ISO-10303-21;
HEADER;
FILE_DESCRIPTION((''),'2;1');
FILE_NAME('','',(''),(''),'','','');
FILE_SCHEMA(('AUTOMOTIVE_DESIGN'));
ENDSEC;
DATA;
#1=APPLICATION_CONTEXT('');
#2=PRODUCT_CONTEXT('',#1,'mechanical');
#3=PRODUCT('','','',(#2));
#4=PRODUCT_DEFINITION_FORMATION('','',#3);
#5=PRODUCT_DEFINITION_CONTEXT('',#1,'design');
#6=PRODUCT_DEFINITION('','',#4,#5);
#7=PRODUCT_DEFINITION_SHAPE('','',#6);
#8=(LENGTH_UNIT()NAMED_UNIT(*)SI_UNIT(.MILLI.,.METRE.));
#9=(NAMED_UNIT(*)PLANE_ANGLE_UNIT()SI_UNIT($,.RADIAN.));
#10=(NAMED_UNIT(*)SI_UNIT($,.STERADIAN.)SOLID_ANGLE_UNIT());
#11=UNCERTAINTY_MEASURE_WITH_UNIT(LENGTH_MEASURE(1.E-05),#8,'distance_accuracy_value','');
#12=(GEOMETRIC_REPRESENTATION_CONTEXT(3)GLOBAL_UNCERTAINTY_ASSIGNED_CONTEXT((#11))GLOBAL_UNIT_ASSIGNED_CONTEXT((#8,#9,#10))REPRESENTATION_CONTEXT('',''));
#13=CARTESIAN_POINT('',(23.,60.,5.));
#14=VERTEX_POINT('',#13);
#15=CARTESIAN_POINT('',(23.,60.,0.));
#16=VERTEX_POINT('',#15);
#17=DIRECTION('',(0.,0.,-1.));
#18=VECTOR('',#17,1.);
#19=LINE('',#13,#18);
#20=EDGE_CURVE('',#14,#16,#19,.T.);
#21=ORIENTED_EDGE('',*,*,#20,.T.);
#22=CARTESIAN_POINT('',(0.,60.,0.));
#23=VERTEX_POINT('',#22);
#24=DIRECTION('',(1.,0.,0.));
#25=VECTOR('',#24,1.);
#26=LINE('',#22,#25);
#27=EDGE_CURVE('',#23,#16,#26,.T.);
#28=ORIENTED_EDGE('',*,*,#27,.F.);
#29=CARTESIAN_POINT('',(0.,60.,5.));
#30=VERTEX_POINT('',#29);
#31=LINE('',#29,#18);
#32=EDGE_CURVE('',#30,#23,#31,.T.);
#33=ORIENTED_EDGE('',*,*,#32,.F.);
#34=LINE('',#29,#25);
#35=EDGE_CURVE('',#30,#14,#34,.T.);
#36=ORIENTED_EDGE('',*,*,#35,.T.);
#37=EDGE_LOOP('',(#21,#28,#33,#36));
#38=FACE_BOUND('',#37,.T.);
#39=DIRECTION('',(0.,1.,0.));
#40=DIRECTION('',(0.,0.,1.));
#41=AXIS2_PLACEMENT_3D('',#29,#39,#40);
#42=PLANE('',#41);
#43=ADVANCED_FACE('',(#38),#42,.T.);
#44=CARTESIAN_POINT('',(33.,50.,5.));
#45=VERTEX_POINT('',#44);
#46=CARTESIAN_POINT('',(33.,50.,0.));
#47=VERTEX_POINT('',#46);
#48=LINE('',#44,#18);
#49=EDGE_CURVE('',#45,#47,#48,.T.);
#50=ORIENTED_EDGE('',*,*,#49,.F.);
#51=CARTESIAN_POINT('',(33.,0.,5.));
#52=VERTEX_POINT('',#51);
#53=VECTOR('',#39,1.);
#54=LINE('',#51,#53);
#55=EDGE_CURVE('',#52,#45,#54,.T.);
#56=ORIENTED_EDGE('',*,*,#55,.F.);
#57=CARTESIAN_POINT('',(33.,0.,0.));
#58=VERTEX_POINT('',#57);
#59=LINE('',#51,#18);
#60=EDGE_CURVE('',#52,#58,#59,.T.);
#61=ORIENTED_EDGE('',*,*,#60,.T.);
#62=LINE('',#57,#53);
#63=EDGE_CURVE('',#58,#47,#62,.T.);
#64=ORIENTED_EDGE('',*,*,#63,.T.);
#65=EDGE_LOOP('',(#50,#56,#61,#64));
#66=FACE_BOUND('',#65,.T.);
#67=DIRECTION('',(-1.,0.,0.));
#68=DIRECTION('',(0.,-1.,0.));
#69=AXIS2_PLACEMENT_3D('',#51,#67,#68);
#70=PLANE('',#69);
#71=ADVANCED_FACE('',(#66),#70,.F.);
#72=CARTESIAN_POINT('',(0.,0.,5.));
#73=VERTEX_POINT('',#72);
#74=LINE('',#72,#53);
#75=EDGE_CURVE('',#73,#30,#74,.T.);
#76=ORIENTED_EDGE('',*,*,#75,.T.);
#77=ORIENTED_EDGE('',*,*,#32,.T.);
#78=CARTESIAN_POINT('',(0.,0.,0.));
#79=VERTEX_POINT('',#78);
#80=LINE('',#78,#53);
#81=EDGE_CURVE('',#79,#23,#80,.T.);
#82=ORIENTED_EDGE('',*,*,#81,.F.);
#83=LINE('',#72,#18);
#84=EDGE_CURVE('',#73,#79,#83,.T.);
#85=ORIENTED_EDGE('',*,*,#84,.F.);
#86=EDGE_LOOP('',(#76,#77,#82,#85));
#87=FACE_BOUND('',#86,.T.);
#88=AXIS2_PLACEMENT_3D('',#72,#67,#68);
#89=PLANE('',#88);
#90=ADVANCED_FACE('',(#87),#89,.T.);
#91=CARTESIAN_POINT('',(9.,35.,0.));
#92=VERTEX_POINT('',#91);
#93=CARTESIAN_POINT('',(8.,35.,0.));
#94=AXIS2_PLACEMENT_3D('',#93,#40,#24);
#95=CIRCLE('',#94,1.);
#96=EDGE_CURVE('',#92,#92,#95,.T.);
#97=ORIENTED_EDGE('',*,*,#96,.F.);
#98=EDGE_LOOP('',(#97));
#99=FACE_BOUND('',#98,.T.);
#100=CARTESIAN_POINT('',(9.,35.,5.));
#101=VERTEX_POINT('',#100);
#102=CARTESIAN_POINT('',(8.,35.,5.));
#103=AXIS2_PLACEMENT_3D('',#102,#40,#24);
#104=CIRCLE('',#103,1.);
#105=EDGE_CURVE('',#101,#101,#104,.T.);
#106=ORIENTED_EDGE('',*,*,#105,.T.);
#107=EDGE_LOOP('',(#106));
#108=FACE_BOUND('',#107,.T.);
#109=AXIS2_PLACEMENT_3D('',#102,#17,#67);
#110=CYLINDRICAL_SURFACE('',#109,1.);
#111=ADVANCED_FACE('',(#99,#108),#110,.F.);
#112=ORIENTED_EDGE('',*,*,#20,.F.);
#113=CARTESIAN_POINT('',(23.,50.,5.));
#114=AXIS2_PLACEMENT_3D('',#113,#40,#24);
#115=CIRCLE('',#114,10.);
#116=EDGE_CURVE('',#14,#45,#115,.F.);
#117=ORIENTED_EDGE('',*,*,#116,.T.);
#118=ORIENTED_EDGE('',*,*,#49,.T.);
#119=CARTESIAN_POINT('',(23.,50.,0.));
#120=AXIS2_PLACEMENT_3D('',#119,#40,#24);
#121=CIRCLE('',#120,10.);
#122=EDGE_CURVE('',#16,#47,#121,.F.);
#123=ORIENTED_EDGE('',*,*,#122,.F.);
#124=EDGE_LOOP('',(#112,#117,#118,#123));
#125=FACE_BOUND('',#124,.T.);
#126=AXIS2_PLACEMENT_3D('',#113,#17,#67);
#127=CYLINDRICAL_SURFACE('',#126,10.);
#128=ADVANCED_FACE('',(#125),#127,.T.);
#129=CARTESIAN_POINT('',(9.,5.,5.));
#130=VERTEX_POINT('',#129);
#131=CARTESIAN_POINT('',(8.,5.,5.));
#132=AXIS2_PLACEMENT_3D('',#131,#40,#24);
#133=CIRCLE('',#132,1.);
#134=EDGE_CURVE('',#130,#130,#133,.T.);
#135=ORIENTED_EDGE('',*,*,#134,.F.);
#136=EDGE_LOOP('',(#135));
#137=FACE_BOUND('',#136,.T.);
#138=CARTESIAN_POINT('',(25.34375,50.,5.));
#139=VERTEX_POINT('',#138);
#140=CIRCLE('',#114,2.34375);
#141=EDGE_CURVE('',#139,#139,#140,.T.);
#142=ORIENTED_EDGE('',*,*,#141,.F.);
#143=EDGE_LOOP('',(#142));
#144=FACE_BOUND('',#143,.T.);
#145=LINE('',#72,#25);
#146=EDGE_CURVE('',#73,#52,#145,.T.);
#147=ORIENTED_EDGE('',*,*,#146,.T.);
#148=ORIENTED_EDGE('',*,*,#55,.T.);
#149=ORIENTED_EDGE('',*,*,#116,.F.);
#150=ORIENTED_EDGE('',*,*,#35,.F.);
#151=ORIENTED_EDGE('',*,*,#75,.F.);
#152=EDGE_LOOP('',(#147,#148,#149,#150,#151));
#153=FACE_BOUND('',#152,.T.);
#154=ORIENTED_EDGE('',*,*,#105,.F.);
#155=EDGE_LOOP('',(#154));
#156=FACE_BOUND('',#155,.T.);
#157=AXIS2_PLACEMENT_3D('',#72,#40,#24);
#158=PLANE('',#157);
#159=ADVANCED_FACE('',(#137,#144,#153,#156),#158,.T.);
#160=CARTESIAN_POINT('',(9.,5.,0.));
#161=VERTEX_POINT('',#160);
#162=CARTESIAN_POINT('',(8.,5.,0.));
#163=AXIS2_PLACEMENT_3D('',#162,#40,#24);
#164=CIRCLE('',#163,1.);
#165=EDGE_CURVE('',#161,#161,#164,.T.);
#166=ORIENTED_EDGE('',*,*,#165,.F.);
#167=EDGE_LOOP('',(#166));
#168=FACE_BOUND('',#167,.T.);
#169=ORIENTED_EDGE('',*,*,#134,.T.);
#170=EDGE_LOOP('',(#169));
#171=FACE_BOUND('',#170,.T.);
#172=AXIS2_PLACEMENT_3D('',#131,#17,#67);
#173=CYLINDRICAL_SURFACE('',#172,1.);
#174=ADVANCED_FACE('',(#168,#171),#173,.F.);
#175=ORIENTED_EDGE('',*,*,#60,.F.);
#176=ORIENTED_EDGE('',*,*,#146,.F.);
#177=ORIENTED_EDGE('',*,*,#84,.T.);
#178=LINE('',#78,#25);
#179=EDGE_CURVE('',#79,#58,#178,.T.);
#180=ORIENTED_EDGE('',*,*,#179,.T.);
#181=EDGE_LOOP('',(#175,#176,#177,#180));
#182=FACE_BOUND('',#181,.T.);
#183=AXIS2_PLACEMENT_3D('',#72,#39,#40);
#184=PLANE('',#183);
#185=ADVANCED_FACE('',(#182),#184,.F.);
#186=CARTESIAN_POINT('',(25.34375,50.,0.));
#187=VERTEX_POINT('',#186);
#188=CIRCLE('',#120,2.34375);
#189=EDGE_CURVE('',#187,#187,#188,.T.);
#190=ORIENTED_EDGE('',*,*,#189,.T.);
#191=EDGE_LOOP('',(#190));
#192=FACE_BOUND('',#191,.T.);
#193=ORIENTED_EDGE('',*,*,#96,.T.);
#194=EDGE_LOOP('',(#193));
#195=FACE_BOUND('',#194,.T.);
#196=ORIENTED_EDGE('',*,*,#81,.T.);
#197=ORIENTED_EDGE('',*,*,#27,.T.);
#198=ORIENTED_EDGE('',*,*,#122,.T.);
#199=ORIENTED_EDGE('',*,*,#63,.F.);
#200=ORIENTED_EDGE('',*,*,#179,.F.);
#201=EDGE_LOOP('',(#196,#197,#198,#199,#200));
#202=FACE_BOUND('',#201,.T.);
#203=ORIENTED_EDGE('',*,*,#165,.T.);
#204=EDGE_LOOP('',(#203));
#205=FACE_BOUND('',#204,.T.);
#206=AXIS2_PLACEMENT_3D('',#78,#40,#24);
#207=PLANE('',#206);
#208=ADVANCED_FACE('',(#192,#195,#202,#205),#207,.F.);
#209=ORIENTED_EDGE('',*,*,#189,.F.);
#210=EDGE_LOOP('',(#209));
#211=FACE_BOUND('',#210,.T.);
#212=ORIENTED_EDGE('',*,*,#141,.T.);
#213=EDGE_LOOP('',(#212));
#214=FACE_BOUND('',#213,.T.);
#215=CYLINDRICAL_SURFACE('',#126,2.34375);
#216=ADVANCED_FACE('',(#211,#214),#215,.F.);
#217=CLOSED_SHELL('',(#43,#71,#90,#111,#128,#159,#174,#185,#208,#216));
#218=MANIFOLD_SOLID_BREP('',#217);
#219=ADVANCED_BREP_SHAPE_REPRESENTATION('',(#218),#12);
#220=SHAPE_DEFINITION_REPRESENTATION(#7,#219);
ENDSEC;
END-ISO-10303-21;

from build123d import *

# Parameters (mm, degrees)
CROQUIS1_R              = 2.34375
CROQUIS1_R_2            = 1
SALIENTE_EXTRUIR4_DEPTH = 5


with BuildPart() as part:
    # Croquis1 → Saliente-Extruir4 (new body)
    with BuildSketch(Plane.XY):
        with BuildLine():
            Line((0, 60), (0, 0))
            Line((0, 0), (33, 0))
            Line((33, 0), (33, 50))
            ThreePointArc((33, 50), (30.071067812, 57.071067812), (23, 60))
            Line((23, 60), (0, 60))
        make_face()
        with Locations((23, 50)):
            Circle(CROQUIS1_R, mode=Mode.SUBTRACT)
        with Locations((8, 5)):
            Circle(CROQUIS1_R_2, mode=Mode.SUBTRACT)
        with Locations((8, 35)):
            Circle(CROQUIS1_R_2, mode=Mode.SUBTRACT)
    extrude(amount=SALIENTE_EXTRUIR4_DEPTH)


solid = part.part
